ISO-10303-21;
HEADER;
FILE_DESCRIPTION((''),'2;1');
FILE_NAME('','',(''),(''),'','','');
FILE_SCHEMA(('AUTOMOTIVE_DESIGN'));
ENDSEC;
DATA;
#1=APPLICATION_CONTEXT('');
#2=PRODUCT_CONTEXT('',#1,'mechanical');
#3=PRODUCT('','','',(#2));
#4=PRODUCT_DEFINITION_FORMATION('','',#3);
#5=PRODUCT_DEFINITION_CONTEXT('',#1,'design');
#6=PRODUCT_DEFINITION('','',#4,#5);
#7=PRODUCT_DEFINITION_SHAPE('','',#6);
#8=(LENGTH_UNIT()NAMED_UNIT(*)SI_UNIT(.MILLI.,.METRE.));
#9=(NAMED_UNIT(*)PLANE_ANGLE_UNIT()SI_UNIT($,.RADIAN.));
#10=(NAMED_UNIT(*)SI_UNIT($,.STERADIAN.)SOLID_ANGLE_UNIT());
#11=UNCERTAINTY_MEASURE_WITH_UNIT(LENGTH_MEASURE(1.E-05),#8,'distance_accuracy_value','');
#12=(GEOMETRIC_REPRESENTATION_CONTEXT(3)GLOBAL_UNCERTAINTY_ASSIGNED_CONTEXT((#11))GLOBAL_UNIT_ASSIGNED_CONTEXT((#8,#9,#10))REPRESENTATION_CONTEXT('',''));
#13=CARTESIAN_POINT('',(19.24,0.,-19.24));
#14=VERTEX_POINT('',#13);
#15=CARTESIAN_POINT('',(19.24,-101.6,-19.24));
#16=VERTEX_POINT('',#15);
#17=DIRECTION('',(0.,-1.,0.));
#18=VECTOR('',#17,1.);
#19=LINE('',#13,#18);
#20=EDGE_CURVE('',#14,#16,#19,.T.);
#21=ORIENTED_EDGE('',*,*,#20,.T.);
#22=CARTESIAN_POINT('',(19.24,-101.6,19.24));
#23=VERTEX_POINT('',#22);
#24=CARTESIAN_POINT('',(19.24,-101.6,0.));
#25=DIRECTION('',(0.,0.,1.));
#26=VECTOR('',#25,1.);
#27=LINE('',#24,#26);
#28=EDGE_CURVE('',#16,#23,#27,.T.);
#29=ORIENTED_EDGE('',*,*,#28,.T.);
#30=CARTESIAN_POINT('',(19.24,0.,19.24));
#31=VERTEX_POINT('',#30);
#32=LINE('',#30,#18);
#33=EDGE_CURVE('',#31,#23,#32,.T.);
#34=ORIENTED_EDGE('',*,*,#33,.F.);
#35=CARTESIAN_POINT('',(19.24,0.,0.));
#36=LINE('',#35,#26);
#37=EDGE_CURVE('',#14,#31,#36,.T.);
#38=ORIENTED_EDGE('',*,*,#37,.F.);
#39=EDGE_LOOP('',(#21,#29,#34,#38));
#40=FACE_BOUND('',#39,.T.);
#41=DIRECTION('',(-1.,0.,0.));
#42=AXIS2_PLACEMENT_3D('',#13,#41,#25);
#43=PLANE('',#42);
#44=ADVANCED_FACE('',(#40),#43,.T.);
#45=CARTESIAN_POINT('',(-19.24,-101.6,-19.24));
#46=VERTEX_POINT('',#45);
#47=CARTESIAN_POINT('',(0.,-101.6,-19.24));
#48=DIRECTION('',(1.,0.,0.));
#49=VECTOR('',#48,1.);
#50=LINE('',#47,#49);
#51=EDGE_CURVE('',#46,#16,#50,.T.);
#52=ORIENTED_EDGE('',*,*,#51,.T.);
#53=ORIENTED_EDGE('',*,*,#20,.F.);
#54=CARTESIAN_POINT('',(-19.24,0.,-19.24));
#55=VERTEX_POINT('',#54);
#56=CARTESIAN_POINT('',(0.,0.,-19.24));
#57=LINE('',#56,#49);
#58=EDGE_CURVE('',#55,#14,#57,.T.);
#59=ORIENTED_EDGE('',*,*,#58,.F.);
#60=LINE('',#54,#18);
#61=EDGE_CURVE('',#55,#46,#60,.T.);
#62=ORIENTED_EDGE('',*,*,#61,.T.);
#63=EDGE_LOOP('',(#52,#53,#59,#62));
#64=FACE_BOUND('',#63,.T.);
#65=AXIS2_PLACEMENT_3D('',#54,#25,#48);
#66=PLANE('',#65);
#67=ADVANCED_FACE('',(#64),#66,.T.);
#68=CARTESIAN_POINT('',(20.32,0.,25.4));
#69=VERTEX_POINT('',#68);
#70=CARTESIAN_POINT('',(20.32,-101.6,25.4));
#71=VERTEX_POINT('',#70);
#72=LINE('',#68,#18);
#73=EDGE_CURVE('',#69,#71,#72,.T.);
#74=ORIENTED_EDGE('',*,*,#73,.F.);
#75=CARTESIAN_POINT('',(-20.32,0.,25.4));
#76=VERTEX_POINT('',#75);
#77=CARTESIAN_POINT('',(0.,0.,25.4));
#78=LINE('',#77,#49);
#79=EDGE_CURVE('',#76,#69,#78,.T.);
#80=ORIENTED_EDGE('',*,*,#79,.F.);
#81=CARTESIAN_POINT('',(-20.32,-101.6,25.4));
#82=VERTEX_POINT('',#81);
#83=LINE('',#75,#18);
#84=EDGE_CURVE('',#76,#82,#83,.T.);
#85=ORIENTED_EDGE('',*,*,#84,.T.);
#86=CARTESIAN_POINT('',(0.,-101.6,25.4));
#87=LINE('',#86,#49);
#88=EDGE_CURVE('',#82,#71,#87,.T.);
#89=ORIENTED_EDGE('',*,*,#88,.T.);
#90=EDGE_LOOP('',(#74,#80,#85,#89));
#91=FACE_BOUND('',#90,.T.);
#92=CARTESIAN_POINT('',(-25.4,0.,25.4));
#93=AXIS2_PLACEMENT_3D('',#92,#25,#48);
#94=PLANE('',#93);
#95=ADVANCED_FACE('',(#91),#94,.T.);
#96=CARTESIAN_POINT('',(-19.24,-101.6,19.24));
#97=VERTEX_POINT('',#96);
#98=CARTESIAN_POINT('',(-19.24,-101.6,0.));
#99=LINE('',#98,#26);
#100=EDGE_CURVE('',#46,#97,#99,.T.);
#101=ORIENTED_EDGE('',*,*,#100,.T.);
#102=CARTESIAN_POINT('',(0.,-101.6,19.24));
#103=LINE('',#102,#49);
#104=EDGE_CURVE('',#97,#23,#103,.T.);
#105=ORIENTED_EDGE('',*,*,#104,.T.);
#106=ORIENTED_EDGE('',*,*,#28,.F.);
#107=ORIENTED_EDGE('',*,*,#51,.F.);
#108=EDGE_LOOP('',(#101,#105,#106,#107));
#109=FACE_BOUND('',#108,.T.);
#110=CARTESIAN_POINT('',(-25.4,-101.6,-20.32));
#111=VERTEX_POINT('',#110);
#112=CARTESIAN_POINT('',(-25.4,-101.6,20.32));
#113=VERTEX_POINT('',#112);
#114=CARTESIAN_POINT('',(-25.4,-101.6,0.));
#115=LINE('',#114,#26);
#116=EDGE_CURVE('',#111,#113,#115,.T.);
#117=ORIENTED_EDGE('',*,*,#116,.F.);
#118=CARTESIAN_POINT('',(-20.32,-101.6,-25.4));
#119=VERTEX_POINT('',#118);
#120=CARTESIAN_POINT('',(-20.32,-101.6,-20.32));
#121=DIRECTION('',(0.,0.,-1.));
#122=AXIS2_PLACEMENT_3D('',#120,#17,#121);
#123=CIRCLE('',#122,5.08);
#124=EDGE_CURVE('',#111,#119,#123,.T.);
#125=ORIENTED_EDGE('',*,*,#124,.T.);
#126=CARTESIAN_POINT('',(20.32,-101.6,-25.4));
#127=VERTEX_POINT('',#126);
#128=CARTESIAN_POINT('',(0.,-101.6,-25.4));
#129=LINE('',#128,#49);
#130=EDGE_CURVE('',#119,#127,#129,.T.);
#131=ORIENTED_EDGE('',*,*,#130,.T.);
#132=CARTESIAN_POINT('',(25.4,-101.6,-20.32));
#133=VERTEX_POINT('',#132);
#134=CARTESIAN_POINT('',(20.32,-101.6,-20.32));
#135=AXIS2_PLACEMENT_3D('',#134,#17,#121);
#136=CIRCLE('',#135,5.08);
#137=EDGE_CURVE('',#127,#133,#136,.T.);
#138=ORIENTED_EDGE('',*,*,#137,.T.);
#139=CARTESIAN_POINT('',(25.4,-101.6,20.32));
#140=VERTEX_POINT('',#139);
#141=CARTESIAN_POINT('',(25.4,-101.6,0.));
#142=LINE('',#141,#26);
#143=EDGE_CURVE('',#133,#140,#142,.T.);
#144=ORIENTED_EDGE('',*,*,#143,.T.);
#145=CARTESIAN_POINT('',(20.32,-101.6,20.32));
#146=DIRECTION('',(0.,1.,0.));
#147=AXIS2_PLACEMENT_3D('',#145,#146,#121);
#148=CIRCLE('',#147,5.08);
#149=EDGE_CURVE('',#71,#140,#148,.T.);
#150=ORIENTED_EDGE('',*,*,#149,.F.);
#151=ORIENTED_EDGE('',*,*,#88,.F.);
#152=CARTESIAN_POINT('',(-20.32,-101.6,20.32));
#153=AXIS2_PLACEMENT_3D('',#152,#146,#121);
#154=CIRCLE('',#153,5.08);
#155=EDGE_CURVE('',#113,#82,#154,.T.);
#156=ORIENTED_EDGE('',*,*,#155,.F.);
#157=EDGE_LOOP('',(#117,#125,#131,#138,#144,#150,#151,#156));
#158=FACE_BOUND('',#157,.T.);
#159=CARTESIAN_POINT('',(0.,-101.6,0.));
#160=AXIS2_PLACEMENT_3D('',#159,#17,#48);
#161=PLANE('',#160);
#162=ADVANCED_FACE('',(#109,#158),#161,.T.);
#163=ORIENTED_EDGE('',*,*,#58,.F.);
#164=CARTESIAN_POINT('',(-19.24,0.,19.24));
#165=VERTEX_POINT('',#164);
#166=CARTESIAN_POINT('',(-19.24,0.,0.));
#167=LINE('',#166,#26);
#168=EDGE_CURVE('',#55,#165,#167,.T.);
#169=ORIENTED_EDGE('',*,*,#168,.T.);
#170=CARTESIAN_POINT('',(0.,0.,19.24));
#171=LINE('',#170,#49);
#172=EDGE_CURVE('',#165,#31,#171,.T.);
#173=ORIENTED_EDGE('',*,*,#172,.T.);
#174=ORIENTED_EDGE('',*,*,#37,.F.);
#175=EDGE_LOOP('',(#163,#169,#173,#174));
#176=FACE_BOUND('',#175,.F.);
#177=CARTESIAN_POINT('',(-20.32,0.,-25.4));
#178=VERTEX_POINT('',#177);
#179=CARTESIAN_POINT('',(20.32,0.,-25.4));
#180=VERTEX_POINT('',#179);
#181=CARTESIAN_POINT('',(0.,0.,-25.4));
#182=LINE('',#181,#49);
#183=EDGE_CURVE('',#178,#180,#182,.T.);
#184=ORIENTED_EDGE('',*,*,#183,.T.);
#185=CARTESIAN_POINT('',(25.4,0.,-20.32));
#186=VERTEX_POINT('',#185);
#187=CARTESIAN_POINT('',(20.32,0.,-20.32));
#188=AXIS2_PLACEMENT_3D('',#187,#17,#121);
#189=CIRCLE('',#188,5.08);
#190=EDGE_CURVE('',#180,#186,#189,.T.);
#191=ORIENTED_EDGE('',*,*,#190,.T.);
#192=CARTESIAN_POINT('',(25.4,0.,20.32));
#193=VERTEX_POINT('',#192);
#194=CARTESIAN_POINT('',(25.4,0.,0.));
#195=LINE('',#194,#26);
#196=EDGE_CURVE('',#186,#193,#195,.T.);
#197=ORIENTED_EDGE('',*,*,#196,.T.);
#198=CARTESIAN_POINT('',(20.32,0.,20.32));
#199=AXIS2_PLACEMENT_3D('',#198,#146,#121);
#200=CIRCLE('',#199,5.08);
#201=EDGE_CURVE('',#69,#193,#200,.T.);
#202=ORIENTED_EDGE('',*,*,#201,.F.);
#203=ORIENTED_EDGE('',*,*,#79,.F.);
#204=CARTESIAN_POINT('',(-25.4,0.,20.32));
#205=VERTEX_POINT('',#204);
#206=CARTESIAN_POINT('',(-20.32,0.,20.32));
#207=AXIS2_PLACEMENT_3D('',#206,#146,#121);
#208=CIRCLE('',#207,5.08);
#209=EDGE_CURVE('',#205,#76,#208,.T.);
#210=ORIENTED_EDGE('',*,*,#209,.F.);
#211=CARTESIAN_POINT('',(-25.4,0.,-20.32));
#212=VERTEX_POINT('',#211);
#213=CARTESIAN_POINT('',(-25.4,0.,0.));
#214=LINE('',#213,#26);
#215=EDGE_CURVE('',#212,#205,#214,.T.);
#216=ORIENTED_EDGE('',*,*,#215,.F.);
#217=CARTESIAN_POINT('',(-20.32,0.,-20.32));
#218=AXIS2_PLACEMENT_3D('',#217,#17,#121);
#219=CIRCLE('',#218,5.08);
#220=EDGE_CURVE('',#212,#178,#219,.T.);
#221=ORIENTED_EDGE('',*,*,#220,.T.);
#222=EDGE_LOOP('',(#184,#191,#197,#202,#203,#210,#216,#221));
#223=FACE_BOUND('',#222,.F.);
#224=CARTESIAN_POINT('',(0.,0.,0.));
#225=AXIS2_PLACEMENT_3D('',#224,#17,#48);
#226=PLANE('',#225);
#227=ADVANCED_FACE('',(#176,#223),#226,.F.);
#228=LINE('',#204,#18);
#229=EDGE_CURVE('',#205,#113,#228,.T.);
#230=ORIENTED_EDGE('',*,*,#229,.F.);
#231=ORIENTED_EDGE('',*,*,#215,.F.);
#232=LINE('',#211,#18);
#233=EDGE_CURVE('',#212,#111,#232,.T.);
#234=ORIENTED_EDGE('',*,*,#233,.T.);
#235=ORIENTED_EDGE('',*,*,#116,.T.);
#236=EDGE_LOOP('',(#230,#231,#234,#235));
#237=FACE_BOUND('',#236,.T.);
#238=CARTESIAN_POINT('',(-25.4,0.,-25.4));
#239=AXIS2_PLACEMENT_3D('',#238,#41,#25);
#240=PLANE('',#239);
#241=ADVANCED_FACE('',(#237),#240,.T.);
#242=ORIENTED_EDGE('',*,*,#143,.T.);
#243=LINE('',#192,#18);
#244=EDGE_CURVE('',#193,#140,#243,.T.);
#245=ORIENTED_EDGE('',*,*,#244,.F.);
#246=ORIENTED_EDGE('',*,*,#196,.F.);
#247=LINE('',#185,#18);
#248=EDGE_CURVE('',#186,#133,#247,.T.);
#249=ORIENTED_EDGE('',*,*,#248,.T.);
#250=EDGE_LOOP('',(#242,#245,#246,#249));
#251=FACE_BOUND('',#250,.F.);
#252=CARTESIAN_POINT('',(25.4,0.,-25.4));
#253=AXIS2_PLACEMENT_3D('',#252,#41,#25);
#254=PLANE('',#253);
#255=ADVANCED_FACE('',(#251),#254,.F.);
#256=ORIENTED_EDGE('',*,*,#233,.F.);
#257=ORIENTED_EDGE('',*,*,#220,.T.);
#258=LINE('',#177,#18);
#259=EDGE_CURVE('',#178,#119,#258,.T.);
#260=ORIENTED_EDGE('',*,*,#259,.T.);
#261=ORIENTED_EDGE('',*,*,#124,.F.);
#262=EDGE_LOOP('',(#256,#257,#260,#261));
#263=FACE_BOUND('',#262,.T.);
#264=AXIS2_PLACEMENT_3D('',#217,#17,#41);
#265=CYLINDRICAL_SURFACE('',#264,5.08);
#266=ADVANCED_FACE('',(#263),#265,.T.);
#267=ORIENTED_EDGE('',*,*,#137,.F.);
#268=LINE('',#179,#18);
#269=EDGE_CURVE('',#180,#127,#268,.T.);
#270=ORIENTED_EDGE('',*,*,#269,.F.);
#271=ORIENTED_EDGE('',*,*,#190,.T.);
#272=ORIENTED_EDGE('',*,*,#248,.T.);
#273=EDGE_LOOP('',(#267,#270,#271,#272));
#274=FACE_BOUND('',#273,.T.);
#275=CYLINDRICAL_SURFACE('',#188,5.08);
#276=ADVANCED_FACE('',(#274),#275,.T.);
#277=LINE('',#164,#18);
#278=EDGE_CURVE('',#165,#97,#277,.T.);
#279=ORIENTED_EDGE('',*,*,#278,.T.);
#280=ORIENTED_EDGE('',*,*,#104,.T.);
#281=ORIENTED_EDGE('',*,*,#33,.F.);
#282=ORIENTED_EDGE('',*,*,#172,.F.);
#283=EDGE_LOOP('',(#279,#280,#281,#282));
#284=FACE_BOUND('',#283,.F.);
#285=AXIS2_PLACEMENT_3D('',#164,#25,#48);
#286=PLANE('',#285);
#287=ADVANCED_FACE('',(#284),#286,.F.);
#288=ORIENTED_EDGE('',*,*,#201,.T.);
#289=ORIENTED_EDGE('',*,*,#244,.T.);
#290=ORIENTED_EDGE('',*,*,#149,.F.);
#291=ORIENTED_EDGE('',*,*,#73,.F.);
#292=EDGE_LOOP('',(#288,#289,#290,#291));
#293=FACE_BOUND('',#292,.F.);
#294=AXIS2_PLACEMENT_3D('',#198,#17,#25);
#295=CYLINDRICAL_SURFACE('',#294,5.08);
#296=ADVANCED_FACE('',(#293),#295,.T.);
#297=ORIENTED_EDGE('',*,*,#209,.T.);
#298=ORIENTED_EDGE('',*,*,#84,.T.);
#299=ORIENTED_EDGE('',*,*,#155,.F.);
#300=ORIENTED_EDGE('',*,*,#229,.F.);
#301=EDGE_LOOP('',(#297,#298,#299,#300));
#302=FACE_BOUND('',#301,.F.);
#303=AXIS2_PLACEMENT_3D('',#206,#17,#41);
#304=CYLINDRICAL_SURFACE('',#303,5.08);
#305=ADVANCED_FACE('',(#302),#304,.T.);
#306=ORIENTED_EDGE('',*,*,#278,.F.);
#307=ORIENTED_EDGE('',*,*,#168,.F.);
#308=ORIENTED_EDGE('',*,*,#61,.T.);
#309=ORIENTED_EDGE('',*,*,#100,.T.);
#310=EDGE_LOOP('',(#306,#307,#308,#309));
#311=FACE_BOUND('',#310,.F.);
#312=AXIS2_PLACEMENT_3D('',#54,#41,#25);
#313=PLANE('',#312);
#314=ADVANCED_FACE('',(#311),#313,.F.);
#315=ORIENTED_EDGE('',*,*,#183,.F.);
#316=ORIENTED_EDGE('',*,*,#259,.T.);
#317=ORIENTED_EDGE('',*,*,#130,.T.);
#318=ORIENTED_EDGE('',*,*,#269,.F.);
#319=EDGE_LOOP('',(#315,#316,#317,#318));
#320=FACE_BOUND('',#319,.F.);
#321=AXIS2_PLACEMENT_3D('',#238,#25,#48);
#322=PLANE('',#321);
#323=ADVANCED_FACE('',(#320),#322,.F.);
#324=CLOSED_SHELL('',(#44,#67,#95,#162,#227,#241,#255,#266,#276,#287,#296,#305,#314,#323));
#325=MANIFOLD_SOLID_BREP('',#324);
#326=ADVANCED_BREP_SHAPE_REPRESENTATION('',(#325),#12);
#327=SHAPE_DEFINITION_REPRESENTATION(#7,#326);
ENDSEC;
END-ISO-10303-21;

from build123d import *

# Parameters (mm, degrees)
F0_W     = 50.8
F0_H     = 50.8
F0_W_2   = 38.48
F0_H_2   = 38.48
F1_DEPTH = 101.6
F2_R     = 5.08


with BuildPart() as f1:
    # F0 (on Front) → F1 (new body)
    with BuildSketch(Plane.XZ):
        Rectangle(F0_W, F0_H)
        Rectangle(F0_W_2, F0_H_2, mode=Mode.SUBTRACT)
    extrude(amount=F1_DEPTH)

    # F2
    f2_edges = [f1.edges().sort_by_distance(p)[0] for p in [
        (-25.4, -50.8, 25.4),
        (-25.4, -50.8, -25.4),
        (25.4, -50.8, -25.4),
        (25.4, -50.8, 25.4),
    ]]
    fillet(f2_edges, radius=F2_R)


solid = f1.part
